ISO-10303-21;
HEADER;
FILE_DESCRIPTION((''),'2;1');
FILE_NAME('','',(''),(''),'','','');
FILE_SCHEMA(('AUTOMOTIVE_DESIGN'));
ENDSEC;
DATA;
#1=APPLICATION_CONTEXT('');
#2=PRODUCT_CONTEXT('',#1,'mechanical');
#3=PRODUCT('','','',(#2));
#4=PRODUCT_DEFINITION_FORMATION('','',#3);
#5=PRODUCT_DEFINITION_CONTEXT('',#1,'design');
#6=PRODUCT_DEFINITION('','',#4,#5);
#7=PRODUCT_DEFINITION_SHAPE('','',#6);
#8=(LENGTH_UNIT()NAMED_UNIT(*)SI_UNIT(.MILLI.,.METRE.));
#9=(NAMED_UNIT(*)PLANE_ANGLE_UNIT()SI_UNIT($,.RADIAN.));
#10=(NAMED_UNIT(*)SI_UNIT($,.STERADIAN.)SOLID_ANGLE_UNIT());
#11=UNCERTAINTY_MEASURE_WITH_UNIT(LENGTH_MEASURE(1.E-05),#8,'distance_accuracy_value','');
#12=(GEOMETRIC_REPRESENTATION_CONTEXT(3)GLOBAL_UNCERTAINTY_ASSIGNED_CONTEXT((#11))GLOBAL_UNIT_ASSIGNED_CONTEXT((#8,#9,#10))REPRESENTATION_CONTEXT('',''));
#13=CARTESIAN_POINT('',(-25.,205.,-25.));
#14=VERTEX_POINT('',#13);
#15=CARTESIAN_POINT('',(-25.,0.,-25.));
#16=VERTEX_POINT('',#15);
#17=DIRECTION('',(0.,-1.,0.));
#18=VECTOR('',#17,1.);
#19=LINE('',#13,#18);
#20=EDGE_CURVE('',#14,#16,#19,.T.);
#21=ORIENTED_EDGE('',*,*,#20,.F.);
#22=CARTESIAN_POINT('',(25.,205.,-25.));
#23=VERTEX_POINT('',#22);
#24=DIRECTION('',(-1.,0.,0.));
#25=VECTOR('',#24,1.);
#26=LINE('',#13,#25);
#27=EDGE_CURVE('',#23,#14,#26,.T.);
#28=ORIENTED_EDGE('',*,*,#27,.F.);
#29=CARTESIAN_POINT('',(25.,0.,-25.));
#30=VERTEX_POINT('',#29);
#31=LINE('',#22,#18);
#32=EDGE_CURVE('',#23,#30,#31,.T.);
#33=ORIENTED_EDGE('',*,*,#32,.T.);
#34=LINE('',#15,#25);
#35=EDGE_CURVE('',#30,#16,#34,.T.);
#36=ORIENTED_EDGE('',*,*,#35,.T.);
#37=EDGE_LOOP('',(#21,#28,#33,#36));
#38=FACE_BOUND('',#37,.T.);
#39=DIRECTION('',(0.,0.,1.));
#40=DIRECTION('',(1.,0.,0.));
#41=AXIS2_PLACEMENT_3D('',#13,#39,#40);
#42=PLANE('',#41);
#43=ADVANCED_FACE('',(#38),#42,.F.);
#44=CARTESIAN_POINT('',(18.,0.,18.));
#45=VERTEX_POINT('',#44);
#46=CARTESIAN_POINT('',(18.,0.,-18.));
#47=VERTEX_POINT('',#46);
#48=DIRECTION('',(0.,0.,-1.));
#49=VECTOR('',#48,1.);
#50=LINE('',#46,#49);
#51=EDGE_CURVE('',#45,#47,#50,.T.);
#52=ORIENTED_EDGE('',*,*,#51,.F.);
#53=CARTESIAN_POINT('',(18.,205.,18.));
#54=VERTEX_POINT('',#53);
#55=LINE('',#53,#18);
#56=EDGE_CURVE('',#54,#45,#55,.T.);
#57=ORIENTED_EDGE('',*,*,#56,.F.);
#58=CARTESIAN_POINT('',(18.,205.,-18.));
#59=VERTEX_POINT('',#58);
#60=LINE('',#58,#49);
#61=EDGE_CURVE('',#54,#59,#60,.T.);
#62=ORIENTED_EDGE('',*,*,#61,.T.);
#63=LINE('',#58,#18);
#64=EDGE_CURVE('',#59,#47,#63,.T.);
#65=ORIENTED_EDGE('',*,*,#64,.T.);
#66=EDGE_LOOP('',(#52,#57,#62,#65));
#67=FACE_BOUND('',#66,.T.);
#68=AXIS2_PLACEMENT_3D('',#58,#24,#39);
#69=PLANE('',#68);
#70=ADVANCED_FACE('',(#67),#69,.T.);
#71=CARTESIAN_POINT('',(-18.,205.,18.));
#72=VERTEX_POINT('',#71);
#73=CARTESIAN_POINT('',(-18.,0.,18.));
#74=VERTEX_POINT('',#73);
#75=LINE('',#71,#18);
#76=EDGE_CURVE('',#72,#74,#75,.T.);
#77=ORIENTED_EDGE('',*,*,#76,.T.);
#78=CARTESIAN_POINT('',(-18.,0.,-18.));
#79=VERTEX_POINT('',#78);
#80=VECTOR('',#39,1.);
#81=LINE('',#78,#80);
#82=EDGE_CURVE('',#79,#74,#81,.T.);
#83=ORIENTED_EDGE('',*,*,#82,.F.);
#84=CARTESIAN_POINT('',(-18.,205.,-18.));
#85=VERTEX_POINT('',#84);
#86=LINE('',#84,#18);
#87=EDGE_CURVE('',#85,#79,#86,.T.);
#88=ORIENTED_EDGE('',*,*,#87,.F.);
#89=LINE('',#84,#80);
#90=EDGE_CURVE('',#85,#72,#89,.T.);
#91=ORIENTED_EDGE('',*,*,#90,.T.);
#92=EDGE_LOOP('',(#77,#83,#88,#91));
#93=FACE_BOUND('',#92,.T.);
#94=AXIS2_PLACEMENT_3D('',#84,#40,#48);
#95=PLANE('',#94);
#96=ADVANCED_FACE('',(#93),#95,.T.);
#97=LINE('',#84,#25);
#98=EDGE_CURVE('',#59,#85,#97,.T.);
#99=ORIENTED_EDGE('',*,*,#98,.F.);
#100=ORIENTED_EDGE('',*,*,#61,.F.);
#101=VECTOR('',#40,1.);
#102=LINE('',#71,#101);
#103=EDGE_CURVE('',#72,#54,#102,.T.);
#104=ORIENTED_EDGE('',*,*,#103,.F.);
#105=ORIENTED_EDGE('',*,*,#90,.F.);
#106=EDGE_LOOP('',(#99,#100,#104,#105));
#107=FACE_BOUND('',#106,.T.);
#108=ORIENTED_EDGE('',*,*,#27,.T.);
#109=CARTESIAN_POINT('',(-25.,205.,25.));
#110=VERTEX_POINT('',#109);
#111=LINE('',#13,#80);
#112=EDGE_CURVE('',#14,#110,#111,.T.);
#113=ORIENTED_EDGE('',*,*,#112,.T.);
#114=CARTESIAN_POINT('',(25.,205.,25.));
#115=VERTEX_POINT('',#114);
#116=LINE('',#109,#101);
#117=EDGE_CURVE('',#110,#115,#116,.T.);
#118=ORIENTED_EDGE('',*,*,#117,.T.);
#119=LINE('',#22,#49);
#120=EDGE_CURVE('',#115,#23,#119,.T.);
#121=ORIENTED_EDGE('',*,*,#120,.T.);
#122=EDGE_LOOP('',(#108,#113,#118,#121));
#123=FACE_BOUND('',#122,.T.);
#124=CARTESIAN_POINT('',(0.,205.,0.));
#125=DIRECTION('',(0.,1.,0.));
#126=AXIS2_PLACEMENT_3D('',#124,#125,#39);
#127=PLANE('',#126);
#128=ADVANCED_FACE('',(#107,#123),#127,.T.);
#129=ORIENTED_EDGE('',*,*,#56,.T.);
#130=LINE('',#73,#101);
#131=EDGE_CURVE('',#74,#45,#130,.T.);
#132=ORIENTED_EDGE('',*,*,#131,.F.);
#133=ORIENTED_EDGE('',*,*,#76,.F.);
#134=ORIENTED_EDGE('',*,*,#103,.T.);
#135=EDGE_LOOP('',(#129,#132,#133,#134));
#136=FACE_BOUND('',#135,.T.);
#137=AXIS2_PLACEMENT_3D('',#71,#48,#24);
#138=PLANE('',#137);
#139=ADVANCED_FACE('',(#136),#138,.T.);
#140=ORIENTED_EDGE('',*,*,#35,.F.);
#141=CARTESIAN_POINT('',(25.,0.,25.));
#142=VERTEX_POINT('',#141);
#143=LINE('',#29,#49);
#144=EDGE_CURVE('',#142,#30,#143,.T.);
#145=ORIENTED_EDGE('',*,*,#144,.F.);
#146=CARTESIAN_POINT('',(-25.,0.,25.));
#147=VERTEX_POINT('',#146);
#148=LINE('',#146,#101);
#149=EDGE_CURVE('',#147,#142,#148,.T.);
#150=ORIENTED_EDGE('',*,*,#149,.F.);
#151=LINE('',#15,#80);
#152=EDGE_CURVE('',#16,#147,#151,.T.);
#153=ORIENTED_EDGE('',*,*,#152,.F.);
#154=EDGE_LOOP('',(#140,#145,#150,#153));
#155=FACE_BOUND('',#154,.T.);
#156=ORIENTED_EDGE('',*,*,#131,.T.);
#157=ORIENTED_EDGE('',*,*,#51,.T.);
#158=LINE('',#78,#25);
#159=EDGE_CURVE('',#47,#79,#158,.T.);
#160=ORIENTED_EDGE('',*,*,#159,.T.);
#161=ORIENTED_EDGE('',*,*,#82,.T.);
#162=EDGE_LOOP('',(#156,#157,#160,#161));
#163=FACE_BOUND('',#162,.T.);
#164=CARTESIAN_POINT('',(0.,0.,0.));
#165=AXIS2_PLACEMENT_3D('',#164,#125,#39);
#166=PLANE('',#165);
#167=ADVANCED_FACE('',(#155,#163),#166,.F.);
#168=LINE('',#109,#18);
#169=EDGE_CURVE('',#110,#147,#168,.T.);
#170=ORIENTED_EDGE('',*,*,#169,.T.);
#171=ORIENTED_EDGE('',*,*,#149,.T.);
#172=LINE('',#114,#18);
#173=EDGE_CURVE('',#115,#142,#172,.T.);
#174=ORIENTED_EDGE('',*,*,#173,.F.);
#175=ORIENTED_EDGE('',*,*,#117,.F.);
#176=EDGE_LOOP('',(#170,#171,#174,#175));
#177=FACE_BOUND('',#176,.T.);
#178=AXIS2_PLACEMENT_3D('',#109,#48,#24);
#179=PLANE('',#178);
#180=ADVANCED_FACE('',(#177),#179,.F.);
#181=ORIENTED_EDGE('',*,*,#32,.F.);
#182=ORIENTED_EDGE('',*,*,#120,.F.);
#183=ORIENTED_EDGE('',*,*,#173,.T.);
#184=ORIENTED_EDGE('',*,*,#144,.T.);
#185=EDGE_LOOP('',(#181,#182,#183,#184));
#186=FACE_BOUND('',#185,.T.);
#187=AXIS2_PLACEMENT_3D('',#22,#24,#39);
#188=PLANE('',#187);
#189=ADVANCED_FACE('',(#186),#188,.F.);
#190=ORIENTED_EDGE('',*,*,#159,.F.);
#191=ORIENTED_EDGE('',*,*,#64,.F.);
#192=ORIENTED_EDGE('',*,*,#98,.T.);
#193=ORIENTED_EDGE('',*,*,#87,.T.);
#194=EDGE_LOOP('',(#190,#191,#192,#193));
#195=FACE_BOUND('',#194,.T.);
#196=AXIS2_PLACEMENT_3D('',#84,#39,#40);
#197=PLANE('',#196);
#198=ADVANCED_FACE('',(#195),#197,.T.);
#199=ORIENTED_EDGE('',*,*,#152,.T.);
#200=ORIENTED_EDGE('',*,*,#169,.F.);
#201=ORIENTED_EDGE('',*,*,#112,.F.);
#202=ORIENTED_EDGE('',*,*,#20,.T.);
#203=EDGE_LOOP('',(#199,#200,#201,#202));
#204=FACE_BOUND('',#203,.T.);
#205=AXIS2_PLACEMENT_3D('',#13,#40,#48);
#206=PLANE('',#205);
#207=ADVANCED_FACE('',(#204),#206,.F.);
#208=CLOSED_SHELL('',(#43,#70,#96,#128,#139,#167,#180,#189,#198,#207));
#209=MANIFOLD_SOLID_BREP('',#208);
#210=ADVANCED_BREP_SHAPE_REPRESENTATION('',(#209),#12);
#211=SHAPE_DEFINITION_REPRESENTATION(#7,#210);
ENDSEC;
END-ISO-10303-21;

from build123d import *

# Parameters (mm, degrees)
SKETCH1_W           = 50
SKETCH1_H           = 50
SKETCH1_W_2         = 36
SKETCH1_H_2         = 36
BOSS_EXTRUDE1_DEPTH = 205


with BuildPart() as part:
    # Sketch1 → Boss-Extrude1 (new body)
    with BuildSketch(Plane(origin=(0, 0, 0), x_dir=(1, 0, 0), z_dir=(0, 1, 0))):
        Rectangle(SKETCH1_W, SKETCH1_H)
        Rectangle(SKETCH1_W_2, SKETCH1_H_2, mode=Mode.SUBTRACT)
    extrude(amount=BOSS_EXTRUDE1_DEPTH)


solid = part.part
